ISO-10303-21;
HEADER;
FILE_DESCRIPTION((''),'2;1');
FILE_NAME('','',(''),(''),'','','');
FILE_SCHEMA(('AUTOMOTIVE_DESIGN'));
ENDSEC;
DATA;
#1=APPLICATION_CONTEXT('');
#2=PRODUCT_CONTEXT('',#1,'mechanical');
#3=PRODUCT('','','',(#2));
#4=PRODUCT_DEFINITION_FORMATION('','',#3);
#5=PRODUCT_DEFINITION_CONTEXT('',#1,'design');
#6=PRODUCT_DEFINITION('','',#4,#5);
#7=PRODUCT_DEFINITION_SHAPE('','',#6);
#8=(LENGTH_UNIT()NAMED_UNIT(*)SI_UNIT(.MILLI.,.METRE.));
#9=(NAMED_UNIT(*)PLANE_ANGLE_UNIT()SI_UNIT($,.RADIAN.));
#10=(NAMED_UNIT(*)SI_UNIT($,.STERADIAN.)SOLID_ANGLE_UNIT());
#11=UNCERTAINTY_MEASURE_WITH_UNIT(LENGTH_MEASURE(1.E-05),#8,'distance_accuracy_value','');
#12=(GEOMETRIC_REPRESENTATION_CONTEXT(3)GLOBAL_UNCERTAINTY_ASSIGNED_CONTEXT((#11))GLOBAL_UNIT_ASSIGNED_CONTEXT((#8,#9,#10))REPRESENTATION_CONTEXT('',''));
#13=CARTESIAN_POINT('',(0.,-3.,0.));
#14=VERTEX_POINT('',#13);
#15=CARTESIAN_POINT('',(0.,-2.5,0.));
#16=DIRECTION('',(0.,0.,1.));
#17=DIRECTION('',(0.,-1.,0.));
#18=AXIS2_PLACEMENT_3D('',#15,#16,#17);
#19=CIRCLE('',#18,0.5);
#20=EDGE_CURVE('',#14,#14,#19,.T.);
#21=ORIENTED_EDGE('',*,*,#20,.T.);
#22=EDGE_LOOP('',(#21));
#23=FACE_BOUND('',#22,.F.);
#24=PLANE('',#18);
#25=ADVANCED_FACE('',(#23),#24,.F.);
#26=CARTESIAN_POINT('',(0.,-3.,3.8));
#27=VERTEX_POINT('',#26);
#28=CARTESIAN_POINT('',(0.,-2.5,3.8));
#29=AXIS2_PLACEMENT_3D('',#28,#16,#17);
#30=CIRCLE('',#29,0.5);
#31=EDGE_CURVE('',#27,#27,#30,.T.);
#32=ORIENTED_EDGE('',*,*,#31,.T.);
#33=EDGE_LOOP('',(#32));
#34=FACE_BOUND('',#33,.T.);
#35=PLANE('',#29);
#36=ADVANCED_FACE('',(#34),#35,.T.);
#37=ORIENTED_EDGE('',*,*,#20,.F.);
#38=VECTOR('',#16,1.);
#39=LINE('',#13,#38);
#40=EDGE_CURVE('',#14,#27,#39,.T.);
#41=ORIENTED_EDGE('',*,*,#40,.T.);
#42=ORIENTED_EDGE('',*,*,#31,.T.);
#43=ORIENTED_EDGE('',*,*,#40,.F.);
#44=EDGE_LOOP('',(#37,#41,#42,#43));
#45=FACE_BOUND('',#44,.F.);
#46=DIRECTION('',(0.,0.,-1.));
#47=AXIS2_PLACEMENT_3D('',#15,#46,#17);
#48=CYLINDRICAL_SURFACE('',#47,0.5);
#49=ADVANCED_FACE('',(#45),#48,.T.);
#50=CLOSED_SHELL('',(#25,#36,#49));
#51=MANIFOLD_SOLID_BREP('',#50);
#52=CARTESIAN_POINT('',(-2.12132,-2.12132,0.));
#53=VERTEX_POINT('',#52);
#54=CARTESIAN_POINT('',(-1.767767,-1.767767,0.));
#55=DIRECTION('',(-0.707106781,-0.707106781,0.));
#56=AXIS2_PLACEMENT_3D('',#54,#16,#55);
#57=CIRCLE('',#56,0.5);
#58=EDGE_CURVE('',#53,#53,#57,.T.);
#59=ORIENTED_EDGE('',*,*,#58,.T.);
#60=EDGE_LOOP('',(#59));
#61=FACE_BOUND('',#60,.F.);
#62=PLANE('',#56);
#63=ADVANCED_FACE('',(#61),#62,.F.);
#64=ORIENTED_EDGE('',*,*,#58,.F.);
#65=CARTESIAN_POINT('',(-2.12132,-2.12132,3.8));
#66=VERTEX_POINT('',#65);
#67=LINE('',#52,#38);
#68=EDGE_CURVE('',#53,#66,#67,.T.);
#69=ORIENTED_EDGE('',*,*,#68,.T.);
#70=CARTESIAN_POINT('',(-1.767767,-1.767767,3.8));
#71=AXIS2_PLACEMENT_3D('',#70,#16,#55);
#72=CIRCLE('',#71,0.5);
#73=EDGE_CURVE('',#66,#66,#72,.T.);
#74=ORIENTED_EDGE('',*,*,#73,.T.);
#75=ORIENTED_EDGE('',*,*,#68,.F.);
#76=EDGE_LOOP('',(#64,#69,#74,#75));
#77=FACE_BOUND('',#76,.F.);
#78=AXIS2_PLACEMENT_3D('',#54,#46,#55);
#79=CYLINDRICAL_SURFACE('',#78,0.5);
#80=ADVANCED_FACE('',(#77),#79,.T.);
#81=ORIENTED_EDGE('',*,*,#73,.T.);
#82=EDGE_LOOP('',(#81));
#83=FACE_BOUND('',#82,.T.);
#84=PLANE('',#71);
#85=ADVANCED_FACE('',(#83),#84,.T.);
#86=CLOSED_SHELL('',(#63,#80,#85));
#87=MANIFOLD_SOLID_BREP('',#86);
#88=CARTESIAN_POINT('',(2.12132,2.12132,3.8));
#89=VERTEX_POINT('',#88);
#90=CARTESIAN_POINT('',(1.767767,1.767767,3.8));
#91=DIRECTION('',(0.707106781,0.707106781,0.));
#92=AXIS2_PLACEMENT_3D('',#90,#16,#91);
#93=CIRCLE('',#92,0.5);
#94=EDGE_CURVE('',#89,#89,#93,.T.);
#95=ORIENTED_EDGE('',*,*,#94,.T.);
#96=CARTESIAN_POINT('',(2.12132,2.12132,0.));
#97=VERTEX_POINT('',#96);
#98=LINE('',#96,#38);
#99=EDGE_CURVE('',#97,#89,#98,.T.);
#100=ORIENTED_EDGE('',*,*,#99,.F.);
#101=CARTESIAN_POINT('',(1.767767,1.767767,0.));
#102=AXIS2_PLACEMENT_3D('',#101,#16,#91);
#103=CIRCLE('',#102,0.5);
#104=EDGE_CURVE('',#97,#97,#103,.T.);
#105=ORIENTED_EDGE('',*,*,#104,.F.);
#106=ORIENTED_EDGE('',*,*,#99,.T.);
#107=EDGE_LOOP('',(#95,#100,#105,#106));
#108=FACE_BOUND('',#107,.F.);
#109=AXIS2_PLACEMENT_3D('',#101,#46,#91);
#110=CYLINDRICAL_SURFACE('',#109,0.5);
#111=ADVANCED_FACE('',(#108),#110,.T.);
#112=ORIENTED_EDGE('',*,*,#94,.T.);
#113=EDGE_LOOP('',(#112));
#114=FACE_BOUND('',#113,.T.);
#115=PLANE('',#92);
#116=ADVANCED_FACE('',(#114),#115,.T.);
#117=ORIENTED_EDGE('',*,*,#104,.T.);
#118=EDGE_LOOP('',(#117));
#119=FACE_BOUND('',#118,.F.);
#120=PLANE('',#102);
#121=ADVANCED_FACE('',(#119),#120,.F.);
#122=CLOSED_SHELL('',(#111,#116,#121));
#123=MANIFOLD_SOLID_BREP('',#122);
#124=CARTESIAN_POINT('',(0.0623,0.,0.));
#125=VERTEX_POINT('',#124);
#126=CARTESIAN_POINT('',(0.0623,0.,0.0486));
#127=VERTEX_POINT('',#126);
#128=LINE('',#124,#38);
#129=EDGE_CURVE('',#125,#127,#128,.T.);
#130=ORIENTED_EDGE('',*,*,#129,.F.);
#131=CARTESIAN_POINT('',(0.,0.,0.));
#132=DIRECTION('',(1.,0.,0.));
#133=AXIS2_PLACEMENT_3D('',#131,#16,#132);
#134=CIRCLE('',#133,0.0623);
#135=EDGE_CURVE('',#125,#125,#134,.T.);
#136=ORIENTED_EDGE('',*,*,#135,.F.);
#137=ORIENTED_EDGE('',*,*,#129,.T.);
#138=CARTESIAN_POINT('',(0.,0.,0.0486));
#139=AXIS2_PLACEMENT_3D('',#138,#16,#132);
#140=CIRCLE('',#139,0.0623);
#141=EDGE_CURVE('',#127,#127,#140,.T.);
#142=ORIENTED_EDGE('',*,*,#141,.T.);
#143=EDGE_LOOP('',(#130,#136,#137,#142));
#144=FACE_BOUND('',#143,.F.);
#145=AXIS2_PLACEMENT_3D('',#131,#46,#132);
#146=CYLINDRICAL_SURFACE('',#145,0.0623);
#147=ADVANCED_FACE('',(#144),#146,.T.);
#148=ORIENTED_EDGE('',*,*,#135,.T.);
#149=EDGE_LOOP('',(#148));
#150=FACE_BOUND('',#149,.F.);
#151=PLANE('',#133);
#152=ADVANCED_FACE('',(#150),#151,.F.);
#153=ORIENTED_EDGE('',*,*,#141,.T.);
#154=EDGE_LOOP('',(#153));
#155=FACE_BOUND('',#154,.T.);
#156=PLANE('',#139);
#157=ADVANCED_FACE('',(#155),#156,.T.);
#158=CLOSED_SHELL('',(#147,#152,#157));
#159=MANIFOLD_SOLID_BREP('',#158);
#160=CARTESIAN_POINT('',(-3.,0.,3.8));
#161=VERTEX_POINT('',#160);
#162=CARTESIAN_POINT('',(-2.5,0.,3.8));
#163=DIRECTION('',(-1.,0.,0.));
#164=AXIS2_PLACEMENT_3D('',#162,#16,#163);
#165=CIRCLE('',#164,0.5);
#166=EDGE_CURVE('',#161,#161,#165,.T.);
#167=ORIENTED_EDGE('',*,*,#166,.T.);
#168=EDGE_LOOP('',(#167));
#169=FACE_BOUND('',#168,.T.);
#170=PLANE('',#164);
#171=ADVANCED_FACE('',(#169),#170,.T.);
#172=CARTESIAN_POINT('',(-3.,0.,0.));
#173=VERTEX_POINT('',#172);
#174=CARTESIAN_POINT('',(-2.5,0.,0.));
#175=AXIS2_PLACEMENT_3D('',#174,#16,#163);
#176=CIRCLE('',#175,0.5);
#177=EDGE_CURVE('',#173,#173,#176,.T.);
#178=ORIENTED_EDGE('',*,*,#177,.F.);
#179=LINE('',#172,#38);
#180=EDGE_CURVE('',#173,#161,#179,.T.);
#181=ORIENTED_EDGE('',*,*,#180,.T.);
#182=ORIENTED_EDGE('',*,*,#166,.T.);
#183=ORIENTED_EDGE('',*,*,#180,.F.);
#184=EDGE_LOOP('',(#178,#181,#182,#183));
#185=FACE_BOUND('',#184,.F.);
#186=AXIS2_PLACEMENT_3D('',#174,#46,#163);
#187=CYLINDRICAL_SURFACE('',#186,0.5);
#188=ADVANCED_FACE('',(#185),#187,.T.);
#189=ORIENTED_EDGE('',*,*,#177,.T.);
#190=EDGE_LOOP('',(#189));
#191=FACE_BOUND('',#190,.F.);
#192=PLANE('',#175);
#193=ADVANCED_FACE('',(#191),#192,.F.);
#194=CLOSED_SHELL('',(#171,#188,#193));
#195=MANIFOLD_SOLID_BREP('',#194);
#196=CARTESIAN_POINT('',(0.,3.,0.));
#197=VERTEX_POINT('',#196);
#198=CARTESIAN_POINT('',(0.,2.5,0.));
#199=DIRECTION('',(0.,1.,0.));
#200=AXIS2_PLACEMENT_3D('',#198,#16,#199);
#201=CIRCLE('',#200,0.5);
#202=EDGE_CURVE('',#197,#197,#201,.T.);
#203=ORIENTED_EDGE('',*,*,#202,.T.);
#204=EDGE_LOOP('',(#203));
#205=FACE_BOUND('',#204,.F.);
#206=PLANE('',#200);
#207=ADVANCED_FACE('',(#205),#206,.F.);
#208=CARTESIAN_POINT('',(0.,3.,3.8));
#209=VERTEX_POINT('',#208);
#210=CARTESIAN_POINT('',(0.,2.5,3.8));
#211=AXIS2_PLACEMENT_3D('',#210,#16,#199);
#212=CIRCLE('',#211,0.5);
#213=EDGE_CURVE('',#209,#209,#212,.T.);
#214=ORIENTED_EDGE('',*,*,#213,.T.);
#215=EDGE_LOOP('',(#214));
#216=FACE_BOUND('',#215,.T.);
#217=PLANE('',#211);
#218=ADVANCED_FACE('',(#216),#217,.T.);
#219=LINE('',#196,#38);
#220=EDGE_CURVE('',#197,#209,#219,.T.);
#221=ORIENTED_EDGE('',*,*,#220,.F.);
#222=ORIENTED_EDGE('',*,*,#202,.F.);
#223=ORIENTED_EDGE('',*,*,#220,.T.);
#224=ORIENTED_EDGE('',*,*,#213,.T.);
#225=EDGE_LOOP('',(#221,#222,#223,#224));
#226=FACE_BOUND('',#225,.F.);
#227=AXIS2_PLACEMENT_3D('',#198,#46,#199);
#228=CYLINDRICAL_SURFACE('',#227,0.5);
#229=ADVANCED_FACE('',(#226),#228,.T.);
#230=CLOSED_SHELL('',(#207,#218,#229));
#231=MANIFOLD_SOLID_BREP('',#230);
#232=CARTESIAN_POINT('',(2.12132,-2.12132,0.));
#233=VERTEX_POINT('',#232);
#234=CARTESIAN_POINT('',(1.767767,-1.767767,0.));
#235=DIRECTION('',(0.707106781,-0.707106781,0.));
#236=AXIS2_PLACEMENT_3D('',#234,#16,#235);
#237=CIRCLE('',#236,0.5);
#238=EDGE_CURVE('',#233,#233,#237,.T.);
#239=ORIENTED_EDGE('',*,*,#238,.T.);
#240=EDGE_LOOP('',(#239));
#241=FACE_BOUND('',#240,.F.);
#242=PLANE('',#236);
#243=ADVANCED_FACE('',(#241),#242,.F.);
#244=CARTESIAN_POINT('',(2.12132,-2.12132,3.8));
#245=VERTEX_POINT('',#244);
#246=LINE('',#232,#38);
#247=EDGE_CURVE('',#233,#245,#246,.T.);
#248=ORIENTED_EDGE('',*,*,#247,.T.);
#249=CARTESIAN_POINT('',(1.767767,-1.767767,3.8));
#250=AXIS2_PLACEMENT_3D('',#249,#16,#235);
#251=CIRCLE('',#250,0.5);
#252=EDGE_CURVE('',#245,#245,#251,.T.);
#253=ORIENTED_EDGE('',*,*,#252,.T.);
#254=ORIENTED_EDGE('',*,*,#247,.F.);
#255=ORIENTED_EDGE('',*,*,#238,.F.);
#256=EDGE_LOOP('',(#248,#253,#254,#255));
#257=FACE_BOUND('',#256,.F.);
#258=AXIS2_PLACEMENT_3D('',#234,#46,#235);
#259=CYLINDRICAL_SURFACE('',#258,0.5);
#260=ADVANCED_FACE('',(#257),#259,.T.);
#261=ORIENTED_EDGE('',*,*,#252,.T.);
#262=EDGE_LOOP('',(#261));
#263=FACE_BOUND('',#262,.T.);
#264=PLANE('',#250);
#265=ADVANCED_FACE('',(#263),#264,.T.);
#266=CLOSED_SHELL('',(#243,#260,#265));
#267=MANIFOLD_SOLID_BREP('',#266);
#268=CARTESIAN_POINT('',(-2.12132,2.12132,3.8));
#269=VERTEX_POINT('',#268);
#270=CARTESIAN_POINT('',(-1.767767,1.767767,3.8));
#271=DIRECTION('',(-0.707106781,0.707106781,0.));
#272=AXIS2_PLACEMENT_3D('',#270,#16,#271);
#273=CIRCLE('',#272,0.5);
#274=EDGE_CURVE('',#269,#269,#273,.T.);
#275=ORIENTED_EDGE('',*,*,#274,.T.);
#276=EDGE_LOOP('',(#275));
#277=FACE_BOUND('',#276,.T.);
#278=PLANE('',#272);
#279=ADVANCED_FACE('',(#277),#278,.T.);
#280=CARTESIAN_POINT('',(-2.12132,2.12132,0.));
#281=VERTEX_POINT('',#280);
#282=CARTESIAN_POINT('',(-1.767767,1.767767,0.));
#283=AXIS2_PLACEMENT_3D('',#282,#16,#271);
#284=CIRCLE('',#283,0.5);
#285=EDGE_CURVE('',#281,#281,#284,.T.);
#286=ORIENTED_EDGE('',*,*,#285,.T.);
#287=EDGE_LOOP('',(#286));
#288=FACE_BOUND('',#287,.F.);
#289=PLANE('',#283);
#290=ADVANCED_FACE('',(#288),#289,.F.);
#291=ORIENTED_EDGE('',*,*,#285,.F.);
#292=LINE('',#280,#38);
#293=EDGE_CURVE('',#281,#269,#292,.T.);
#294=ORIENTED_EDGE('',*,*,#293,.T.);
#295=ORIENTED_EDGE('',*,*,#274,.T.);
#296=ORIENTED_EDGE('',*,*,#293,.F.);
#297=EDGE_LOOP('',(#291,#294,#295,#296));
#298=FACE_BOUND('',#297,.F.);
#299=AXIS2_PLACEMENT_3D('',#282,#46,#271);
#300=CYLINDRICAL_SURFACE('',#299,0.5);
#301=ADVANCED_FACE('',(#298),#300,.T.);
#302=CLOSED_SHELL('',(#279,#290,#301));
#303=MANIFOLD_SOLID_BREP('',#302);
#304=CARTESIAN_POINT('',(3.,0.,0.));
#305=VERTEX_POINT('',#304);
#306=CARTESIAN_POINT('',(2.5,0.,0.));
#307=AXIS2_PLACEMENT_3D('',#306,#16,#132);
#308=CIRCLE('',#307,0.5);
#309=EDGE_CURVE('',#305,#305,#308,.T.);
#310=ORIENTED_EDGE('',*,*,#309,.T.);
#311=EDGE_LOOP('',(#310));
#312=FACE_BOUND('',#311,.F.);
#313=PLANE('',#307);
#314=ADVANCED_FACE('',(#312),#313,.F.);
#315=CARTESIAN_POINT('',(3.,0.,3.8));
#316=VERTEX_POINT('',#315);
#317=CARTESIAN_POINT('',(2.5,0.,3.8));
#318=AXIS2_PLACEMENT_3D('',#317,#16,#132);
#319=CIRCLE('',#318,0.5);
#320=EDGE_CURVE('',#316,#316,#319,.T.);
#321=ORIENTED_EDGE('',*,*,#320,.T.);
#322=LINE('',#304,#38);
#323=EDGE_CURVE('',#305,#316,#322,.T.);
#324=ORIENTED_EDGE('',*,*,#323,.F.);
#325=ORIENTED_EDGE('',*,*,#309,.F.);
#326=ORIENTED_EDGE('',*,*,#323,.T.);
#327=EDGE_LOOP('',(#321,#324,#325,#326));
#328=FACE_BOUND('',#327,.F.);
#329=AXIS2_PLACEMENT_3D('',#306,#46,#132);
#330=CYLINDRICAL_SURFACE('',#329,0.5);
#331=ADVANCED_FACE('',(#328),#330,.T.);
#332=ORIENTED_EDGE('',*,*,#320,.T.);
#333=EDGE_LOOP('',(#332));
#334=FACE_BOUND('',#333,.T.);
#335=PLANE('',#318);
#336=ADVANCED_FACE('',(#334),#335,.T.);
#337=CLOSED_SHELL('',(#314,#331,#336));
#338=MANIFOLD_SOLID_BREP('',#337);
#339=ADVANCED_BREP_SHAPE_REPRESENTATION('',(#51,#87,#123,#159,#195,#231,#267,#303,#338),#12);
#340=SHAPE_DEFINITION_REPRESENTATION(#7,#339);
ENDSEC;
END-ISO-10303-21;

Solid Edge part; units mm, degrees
sketch "Sketch1" plane through (0, 0, 0) normal (0, 0, 1) x (1, 0, 0)
  circle A0 centre (2.5, 0) radius 0.5
extrude "Protrusion1" add sketch "Sketch1" along normal blind 3.8
pattern_circular "Pattern1" count 8 over 360 about axis through (0, 0, 0) along (0, 0, -1) of "Protrusion1"
sketch "Sketch2" plane through (0, 0, 0) normal (0, 0, 1) x (1, 0, 0)
  circle A0 centre (0, 0) radius 0.0623
extrude "ExtrudedProtrusion_3" add sketch "Sketch2" along normal blind 0.0486
